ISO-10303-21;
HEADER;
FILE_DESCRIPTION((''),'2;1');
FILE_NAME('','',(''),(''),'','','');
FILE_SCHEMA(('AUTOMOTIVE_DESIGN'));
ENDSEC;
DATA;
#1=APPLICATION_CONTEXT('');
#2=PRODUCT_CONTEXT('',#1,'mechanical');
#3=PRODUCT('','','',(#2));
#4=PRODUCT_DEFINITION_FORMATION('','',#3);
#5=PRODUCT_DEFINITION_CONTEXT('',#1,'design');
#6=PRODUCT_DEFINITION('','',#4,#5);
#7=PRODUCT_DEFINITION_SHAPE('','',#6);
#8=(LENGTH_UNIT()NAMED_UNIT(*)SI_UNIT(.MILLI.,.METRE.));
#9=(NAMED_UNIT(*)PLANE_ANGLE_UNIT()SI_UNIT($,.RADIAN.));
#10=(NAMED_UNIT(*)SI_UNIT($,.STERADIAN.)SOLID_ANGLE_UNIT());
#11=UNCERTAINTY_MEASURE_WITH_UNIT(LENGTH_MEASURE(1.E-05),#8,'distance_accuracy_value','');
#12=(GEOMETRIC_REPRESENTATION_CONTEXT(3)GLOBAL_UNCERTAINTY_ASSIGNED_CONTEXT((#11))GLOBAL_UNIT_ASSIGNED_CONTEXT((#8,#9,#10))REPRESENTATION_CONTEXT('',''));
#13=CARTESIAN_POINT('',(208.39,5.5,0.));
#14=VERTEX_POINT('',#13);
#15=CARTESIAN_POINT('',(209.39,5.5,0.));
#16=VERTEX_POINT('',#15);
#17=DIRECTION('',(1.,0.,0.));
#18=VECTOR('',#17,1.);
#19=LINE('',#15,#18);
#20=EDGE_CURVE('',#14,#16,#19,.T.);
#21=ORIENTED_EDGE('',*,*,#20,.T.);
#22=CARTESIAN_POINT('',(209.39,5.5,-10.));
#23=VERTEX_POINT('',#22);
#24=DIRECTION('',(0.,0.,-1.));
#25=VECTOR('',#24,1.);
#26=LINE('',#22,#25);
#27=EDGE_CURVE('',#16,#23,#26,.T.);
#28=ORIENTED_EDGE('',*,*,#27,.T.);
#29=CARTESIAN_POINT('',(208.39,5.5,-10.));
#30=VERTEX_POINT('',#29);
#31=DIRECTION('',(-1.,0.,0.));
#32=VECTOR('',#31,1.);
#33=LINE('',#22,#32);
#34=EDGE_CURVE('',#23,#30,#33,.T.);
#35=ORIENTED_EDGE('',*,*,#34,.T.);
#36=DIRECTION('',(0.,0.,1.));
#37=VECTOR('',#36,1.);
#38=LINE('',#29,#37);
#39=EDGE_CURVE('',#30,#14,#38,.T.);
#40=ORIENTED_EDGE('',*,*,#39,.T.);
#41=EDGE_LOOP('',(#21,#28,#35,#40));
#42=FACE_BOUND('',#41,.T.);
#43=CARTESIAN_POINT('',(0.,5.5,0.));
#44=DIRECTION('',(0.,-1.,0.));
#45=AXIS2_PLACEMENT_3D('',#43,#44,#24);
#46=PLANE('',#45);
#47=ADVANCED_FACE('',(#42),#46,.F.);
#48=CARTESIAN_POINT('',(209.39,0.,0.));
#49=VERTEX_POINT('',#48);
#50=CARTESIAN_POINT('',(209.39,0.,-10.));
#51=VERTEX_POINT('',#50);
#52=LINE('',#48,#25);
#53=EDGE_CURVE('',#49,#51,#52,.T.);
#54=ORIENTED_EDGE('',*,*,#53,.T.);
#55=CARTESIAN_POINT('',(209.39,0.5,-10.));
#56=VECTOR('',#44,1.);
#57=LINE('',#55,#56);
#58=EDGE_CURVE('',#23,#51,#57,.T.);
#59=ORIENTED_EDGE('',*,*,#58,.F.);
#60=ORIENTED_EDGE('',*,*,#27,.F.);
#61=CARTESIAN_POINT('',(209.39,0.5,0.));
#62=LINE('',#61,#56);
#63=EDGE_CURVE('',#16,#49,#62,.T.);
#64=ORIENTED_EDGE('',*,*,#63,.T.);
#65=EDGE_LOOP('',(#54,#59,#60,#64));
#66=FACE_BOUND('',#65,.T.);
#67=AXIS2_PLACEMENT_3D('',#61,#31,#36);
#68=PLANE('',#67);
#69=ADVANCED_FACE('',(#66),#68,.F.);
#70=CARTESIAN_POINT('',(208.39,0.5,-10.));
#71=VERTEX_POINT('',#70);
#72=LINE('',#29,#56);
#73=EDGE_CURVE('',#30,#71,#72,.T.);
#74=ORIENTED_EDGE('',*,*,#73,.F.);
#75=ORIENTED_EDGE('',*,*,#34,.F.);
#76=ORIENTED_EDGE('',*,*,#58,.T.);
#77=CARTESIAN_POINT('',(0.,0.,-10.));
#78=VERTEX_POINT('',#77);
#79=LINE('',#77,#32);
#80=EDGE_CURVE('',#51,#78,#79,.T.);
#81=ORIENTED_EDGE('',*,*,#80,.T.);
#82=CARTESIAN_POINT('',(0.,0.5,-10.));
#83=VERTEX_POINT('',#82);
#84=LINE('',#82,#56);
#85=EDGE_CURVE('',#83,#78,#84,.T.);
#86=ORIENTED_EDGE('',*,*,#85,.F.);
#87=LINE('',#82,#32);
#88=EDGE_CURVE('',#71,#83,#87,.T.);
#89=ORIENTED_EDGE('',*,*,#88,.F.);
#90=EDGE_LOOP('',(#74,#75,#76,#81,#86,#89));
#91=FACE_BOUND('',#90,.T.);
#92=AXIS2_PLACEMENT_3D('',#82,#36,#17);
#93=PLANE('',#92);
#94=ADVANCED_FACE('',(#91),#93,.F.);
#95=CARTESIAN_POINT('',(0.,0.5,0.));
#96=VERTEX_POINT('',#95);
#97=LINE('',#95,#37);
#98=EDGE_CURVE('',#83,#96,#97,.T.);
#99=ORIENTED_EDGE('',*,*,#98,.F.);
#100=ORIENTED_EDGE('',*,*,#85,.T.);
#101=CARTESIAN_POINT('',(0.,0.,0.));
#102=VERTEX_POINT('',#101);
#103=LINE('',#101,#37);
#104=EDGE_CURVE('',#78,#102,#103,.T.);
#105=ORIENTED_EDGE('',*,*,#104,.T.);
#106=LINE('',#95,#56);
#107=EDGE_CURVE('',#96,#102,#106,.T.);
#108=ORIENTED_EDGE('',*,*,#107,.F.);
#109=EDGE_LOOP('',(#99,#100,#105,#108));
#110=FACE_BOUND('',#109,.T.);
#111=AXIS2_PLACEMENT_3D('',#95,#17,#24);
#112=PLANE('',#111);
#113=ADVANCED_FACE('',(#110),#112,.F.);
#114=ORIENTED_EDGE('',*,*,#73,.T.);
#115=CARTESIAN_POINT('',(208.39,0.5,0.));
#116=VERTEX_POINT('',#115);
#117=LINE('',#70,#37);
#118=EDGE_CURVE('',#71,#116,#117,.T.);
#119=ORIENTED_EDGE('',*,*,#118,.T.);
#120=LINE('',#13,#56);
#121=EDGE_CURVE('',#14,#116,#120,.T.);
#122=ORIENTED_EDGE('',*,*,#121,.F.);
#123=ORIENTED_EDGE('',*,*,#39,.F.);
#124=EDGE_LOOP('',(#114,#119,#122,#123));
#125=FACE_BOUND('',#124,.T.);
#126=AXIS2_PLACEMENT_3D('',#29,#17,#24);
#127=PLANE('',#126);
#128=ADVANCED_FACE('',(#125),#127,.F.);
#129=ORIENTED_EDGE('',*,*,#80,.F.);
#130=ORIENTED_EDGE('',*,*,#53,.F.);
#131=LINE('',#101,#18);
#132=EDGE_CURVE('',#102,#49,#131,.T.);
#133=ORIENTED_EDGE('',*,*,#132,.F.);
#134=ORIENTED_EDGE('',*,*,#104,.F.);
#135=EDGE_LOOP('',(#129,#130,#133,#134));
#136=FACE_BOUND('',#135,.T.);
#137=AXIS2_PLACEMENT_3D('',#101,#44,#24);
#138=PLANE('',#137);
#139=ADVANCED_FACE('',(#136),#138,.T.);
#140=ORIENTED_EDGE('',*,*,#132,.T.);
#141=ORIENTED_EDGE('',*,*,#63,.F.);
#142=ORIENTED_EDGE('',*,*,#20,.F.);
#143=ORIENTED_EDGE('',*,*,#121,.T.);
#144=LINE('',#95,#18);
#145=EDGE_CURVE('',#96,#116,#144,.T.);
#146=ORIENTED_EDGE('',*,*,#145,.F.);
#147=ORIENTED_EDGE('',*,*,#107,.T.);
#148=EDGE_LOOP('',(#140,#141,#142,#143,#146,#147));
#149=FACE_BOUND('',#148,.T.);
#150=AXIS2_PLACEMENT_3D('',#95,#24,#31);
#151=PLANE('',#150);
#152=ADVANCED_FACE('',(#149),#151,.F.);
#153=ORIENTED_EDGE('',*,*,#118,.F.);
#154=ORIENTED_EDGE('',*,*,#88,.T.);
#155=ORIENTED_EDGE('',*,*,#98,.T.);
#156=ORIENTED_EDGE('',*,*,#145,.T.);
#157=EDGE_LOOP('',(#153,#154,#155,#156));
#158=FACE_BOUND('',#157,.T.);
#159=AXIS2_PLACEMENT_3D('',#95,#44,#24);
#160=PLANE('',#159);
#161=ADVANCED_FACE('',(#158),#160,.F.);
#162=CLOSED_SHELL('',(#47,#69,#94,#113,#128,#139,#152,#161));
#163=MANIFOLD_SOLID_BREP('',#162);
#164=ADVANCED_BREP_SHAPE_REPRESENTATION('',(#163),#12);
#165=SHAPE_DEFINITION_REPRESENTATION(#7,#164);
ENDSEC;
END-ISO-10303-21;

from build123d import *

# Parameters (mm, degrees)
SKETCH1_W           = 209.39
SKETCH1_H           = 10
BOSS_EXTRUDE1_DEPTH = 0.5
SKETCH2_W           = 1
SKETCH2_H           = 10
BOSS_EXTRUDE2_DEPTH = 5


with BuildPart() as part:
    # Sketch1 → Boss-Extrude1 (new body)
    with BuildSketch(Plane(origin=(0, 0, 0), x_dir=(1, 0, 0), z_dir=(0, 1, 0))):
        with Locations((104.695, 5)):
            Rectangle(SKETCH1_W, SKETCH1_H)
    extrude(amount=BOSS_EXTRUDE1_DEPTH)

    # Sketch2 → Boss-Extrude2 (add)
    with BuildSketch(Plane(origin=(0, 0.5, 0), x_dir=(1, 0, 0), z_dir=(0, 1, 0))):
        with Locations((208.89, 5)):
            Rectangle(SKETCH2_W, SKETCH2_H)
    extrude(amount=BOSS_EXTRUDE2_DEPTH)


solid = part.part
